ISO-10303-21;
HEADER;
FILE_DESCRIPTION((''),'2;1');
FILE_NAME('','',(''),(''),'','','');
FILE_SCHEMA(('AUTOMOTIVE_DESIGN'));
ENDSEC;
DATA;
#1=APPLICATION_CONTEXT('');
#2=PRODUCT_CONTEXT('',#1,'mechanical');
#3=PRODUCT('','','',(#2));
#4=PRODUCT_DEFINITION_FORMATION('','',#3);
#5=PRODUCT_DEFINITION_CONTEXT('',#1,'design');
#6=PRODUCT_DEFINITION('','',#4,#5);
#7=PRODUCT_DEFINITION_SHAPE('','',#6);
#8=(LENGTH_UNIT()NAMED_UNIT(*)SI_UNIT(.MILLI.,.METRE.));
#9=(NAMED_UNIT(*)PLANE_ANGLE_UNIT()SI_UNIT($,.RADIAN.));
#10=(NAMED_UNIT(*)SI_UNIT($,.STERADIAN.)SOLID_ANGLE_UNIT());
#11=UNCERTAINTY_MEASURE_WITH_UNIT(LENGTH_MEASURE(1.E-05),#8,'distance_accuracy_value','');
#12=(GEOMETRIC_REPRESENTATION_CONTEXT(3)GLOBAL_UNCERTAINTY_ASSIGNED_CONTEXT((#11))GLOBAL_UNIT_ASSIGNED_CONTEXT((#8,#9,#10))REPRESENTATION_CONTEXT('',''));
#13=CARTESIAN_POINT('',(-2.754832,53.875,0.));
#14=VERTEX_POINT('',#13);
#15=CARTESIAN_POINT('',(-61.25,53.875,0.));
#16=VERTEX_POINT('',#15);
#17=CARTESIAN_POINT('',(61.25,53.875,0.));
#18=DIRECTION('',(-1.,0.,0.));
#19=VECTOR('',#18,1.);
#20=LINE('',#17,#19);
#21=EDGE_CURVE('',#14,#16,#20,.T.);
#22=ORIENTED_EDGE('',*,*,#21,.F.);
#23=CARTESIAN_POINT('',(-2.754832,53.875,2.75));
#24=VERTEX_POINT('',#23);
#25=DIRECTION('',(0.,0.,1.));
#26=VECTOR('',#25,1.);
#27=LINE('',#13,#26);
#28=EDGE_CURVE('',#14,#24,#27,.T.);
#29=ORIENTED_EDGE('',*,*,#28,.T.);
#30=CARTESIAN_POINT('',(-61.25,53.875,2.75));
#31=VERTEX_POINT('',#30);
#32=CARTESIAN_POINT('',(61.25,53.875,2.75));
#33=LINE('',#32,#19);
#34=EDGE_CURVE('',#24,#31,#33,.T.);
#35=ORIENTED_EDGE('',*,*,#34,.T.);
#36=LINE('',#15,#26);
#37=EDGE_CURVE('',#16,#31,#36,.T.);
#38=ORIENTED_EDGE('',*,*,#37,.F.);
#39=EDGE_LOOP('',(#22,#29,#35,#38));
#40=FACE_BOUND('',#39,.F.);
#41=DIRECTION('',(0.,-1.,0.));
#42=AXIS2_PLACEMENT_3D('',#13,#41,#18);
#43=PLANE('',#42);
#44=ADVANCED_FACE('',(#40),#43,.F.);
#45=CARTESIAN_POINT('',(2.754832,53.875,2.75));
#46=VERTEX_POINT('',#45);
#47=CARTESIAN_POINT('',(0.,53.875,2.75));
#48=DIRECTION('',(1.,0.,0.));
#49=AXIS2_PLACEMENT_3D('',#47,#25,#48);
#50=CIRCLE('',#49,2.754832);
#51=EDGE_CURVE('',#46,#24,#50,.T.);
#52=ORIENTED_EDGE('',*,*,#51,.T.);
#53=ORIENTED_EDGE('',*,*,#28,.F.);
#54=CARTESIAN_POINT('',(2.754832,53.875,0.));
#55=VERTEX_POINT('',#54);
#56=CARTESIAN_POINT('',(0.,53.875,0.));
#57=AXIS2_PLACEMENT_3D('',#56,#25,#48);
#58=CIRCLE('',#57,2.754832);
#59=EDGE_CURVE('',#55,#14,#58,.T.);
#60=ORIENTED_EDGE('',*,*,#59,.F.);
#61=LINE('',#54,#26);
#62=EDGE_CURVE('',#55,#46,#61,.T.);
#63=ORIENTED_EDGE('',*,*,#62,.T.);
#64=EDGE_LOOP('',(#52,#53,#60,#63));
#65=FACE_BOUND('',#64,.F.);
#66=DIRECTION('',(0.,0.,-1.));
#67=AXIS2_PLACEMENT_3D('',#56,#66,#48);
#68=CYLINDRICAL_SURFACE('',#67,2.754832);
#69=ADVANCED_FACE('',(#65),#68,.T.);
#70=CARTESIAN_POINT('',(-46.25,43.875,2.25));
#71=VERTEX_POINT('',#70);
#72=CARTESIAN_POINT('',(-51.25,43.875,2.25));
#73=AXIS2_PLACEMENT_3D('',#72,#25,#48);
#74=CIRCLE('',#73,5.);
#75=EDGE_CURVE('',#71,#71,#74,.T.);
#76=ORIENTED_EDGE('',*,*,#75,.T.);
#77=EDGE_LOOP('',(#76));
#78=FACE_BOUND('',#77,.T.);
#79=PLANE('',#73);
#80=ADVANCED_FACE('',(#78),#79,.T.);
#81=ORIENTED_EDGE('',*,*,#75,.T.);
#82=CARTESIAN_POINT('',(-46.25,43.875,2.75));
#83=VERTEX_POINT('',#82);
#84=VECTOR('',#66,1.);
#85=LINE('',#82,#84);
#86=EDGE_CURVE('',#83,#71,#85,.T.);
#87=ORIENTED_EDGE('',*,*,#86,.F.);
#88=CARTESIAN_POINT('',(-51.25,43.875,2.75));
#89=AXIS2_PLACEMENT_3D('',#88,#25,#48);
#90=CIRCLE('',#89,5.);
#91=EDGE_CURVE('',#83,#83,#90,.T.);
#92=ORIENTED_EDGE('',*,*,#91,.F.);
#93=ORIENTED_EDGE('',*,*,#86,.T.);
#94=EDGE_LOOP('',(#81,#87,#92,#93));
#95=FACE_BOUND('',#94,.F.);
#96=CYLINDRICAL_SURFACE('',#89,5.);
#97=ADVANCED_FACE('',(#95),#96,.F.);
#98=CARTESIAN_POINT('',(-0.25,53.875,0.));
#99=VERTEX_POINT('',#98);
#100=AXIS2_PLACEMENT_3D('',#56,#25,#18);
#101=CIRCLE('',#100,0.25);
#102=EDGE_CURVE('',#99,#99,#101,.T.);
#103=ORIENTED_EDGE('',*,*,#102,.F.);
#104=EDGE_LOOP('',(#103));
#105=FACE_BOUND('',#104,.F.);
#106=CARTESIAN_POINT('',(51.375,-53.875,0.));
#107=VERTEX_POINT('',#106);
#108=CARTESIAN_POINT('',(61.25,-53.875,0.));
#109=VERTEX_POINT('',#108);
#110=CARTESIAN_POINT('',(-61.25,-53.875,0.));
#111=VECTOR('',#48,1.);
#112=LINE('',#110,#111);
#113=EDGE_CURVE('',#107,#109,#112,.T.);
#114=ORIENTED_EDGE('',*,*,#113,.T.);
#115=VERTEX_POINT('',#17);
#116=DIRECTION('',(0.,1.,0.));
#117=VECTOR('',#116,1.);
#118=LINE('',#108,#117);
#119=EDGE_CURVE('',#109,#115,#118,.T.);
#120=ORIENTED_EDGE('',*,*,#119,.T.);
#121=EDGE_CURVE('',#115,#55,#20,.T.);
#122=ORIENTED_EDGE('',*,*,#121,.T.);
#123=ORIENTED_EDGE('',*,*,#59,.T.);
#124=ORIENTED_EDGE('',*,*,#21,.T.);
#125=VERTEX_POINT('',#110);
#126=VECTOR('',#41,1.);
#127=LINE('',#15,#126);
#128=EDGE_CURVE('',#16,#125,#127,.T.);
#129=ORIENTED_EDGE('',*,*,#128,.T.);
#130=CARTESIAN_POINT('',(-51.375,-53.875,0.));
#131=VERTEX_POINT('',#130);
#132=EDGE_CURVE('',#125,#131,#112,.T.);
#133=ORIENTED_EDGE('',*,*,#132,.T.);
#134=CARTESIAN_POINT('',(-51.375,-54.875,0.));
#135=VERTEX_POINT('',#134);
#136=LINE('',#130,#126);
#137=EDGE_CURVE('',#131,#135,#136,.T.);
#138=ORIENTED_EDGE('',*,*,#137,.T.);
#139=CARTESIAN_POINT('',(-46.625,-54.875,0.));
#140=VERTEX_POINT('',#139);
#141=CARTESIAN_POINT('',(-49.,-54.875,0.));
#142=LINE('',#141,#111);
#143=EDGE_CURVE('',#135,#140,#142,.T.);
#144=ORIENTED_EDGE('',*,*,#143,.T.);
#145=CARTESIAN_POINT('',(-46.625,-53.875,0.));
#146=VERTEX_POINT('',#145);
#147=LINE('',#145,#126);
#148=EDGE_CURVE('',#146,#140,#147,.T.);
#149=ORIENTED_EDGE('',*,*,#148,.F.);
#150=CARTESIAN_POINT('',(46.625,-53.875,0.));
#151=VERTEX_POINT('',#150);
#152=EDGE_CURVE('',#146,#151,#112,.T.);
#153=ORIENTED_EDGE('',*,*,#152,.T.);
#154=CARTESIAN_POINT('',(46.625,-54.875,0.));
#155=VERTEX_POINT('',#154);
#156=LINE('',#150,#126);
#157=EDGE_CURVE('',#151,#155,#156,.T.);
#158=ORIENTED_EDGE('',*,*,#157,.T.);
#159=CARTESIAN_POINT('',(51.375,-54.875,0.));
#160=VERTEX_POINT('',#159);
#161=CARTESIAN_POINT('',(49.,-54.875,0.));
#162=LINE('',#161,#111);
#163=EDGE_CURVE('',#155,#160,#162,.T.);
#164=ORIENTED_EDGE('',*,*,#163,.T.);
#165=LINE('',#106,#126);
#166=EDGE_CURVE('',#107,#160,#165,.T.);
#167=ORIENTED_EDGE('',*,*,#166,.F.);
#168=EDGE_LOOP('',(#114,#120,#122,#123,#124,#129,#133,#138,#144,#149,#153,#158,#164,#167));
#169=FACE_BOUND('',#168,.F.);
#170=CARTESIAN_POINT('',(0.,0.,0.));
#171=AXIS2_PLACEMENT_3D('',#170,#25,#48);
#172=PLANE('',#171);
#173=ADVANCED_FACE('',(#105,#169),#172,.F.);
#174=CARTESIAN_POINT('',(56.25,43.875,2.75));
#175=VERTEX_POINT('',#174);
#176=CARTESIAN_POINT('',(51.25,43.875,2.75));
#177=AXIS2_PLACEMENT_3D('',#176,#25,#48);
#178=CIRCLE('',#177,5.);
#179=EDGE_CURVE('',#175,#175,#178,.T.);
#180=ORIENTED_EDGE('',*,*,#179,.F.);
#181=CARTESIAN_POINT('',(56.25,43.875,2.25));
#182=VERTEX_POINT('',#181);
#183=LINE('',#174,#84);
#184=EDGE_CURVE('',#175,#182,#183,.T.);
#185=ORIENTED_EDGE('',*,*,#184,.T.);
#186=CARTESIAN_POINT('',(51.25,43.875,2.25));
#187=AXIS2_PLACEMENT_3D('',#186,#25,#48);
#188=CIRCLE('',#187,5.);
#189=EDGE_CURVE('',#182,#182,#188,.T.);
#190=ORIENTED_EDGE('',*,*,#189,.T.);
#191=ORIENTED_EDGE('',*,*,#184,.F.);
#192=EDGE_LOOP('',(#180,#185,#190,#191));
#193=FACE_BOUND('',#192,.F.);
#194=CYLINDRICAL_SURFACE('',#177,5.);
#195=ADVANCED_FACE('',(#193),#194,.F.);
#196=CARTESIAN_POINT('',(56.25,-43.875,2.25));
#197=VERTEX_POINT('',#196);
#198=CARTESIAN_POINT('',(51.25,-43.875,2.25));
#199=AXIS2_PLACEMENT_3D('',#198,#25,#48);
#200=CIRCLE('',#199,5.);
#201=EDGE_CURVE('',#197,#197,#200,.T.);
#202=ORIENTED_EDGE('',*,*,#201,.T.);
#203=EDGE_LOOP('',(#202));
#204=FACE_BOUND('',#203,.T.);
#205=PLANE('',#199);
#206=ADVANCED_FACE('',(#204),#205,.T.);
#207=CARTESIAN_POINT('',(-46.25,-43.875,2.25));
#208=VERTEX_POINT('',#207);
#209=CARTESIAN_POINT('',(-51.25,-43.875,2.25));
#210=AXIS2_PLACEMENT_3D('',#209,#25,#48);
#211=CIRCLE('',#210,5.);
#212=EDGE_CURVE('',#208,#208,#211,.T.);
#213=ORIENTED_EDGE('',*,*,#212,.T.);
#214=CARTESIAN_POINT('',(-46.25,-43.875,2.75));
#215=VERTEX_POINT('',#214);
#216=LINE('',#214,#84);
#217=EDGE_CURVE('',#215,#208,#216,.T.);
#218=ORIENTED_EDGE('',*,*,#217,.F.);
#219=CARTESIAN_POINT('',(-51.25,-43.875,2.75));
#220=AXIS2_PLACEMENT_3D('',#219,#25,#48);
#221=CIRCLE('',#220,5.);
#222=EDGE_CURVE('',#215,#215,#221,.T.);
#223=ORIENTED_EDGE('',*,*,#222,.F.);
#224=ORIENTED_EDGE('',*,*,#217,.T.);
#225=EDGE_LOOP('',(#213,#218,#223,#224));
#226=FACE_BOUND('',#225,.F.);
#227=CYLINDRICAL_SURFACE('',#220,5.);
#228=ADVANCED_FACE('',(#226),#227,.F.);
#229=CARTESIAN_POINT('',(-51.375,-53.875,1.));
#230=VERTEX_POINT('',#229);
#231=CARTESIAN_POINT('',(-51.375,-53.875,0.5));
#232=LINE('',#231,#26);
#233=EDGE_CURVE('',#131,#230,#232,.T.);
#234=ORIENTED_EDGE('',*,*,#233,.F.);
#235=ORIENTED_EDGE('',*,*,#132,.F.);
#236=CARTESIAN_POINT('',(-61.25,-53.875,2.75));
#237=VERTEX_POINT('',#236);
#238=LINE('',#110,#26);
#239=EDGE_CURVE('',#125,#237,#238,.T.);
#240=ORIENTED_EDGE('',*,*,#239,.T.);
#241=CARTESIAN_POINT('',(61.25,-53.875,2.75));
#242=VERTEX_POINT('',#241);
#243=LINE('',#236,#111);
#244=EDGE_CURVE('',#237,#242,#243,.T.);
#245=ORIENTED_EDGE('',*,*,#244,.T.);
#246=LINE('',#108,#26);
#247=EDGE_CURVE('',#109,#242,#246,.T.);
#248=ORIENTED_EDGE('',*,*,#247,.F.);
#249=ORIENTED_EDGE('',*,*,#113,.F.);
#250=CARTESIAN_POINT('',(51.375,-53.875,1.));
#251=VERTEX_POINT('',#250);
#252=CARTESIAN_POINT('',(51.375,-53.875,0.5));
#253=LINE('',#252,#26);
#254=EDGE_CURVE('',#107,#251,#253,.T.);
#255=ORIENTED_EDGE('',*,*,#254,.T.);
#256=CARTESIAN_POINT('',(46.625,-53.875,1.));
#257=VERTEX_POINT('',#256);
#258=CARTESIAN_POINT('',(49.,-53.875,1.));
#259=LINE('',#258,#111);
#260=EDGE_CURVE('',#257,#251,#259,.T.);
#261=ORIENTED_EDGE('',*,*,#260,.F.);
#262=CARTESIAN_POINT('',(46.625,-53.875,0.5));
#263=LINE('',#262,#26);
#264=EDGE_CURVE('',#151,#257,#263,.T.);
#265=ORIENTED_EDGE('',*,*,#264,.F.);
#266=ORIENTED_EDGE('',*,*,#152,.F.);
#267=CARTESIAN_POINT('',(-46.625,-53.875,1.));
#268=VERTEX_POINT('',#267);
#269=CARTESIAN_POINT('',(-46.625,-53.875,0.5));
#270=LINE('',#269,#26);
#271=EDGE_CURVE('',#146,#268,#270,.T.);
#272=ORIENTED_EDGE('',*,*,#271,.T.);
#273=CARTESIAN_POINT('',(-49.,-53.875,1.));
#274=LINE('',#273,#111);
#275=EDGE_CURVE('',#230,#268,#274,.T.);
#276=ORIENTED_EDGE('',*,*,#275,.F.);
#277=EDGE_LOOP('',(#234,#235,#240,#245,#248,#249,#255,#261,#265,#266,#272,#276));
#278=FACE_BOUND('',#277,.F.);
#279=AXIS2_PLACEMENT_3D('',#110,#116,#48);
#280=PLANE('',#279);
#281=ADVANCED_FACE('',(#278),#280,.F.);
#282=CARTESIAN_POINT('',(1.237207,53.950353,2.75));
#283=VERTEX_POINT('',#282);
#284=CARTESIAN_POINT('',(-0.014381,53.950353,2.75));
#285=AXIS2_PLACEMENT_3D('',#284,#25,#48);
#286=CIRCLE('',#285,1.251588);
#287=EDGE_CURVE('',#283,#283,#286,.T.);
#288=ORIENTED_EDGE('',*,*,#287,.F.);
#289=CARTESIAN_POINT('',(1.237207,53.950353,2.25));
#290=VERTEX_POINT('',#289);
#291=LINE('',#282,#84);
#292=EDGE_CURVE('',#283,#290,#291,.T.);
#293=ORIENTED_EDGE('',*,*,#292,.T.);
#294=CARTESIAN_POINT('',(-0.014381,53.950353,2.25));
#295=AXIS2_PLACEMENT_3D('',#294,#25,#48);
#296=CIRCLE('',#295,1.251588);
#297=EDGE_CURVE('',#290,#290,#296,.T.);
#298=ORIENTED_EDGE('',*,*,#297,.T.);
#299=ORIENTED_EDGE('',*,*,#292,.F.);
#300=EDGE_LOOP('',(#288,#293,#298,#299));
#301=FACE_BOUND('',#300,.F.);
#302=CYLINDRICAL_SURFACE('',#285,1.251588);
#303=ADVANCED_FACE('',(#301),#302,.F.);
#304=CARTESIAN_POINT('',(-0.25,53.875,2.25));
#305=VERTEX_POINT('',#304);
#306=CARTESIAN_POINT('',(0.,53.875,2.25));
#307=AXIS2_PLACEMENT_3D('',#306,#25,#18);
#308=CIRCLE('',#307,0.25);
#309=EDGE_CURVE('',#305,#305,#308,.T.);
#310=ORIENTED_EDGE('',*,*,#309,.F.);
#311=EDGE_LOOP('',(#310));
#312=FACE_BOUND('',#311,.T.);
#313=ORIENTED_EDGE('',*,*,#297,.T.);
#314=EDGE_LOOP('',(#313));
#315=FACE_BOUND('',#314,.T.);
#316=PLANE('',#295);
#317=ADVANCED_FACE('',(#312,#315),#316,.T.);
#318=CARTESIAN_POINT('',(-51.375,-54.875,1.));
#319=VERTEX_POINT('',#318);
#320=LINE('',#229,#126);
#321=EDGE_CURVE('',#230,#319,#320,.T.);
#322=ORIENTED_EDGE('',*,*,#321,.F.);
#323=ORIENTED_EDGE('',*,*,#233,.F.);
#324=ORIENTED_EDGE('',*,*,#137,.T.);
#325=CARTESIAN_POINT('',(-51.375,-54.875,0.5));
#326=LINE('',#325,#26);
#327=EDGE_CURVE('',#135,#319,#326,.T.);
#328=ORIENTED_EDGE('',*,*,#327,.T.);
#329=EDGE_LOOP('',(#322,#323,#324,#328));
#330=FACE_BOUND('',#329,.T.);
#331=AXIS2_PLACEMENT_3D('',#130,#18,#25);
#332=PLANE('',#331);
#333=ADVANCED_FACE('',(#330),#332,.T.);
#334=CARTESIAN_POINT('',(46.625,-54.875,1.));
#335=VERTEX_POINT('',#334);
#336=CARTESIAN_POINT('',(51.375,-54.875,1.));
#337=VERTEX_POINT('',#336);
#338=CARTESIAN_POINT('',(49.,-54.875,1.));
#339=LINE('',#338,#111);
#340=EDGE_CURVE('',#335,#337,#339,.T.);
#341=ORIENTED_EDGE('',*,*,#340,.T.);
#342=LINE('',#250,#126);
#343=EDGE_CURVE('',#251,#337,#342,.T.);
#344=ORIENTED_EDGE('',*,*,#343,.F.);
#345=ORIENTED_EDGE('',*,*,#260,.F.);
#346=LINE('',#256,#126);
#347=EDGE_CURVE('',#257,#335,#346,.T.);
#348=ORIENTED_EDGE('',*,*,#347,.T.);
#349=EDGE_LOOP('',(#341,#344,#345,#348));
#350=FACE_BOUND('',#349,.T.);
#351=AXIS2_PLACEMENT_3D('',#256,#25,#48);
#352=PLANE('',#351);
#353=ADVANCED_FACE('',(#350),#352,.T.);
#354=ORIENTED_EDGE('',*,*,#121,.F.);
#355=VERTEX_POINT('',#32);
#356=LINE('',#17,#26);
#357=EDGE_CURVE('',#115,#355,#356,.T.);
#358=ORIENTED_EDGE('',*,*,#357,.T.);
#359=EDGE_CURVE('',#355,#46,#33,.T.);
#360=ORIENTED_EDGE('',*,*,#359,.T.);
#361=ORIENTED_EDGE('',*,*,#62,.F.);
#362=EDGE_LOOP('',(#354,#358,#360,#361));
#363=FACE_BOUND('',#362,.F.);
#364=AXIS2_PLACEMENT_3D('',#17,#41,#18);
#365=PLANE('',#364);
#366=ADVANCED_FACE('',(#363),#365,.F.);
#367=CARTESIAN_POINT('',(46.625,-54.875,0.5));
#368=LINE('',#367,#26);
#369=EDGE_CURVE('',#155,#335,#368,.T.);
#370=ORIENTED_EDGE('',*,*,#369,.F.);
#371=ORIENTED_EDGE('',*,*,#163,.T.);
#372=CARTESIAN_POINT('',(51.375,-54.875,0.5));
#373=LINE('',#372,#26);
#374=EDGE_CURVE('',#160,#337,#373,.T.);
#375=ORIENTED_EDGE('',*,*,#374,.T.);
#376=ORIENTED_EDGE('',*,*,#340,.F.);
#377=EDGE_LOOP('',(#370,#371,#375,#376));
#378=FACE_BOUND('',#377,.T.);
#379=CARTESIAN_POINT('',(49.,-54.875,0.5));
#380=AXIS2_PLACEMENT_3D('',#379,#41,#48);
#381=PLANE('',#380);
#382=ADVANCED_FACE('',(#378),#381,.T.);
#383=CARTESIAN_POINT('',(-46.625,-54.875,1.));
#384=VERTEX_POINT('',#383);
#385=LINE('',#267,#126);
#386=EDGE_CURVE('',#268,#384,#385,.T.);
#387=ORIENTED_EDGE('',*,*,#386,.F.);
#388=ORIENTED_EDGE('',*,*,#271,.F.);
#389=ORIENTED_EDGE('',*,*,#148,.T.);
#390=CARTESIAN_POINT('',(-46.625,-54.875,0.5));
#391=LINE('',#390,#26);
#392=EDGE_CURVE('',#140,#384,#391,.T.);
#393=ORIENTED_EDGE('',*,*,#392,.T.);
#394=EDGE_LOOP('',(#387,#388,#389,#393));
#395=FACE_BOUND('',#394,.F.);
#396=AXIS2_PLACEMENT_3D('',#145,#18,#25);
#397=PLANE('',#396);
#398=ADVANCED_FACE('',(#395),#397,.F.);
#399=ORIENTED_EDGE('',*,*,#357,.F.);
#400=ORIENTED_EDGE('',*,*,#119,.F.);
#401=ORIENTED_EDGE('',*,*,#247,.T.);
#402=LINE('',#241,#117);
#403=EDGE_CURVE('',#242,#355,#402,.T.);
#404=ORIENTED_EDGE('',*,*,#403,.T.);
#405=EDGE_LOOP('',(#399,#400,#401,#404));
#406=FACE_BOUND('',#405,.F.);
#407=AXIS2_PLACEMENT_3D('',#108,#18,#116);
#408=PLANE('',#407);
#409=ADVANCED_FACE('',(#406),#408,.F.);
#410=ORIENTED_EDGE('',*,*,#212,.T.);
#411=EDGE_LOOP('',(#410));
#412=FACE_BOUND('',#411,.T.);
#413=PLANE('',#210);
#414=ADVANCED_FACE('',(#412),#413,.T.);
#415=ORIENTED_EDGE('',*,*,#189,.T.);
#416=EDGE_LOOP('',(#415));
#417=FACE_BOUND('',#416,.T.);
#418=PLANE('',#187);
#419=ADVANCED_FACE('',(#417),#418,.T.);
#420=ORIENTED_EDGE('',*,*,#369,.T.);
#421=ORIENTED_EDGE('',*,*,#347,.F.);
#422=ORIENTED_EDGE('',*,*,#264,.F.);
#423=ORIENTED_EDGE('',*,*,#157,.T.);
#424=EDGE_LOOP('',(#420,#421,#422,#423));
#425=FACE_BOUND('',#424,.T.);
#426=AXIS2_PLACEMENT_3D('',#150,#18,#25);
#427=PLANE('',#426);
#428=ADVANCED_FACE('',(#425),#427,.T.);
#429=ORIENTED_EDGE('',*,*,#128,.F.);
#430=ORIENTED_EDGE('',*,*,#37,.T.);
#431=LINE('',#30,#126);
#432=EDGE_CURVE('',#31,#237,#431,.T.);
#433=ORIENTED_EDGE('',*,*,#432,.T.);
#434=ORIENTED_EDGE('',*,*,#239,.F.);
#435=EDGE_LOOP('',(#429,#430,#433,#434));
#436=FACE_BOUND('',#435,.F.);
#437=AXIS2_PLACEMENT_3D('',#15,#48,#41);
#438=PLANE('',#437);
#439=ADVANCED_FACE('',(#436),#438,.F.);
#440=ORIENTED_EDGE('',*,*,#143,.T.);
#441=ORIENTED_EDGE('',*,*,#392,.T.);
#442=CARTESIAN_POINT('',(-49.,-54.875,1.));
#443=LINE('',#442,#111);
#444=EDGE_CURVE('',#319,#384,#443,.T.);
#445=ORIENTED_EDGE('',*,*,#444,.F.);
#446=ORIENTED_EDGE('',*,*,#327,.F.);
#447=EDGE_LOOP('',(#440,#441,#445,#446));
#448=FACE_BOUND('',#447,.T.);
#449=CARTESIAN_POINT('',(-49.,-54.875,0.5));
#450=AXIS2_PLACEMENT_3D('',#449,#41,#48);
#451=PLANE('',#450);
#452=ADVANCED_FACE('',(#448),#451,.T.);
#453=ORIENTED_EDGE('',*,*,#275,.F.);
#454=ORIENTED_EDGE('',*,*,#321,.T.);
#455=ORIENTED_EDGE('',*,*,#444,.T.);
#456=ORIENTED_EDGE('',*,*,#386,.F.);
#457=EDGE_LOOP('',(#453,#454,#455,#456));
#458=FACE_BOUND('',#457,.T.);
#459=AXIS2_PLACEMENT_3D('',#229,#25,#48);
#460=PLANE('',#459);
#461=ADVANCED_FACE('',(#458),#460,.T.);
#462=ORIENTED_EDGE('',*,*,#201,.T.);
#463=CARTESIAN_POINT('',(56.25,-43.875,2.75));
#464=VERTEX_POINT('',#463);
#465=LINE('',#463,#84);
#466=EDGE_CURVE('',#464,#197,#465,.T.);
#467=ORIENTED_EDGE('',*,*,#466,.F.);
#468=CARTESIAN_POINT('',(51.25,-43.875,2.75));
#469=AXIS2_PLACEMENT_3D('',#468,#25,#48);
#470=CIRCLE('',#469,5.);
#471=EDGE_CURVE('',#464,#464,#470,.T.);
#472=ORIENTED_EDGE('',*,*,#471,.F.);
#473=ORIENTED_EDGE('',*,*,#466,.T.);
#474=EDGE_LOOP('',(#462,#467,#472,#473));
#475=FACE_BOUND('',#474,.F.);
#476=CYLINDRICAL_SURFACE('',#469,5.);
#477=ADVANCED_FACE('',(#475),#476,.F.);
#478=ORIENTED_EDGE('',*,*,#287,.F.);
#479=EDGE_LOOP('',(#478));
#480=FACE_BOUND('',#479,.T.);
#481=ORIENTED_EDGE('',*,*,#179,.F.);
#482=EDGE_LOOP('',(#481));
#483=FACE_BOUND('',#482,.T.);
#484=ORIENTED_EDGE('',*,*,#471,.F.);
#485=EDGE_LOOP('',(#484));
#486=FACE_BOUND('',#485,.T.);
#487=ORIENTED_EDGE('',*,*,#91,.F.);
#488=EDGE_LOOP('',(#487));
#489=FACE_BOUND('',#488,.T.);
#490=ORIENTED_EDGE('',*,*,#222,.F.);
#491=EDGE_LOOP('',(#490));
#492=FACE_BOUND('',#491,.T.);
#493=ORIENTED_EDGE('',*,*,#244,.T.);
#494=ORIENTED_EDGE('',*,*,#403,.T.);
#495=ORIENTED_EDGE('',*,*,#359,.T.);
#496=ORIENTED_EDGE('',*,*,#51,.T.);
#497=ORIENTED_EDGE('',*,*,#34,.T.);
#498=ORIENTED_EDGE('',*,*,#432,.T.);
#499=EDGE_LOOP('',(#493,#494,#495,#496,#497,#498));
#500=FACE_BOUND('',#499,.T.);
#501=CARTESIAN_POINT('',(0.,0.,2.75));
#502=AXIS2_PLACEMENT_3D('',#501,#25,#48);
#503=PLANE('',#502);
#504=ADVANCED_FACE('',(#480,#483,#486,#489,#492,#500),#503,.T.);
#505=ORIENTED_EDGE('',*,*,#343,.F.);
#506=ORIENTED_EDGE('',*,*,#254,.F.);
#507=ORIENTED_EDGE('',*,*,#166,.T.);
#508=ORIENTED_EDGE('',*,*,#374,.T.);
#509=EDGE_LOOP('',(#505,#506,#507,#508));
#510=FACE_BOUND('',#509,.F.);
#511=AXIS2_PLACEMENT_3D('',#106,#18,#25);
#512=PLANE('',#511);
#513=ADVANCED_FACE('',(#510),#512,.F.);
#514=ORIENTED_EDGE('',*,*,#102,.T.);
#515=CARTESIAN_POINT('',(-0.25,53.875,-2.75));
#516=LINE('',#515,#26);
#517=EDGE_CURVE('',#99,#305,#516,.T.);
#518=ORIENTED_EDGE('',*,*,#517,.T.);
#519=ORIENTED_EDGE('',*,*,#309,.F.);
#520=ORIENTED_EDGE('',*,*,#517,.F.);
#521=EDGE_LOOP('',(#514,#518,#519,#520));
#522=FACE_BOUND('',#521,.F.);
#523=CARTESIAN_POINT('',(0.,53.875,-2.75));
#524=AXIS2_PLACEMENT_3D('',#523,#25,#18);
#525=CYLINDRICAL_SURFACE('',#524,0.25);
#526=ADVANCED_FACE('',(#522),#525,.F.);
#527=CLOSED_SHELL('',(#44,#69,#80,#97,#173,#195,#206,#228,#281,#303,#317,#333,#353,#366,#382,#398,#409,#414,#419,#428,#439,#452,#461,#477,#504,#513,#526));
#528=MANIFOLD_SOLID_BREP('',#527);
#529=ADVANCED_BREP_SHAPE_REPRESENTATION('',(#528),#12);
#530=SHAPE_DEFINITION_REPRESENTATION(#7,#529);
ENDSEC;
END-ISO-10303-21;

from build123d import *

# Parameters (mm, degrees)
F1_DEPTH = 2.75
F2_W     = 4.75
F2_H     = 1
F3_DEPTH = 1
F4_D     = 0.5
F4_DEPTH = 2.75
F4_TIP   = 0.1502151548
F5_R     = 5
F5_R_2   = 1.2515883102
F5_R_3   = 0.25
F6_DEPTH = 0.5


with BuildPart() as f1:
    # F0 (on Top) → F1 (new body)
    with BuildSketch(Plane.XY):
        Polygon((61.25, -53.875), (61.25, 53.875), (2.7548319194, 53.875), (-2.7548319194, 53.875), (-61.25, 53.875), (-61.25, -53.875), align=None)
        with BuildLine():
            Line((-2.7548319194, 53.875), (2.7548319194, 53.875))
            ThreePointArc((2.7548319194, 53.875), (0, 56.6298319194), (-2.7548319194, 53.875))
        make_face()
    extrude(amount=F1_DEPTH)

    # F2 (on face) → F3 (join)
    with BuildSketch(Plane.XZ.offset(53.875)):
        with Locations((-49, 0.5)):
            Rectangle(F2_W, F2_H)
        with Locations((49, 0.5)):
            Rectangle(F2_W, F2_H)
    extrude(amount=F3_DEPTH)

    # F4
    with Locations(Plane(origin=(0, 0, 0), x_dir=(1, 0, 0), z_dir=(0, 0, -1))):
        with Locations((0, -53.875)):
            Hole(F4_D / 2, depth=F4_DEPTH)
            with Locations((0, 0, -(F4_DEPTH + F4_TIP / 2))):  # 118° drill point
                Cone(0, F4_D / 2, F4_TIP, mode=Mode.SUBTRACT)

    # F5 (on face) → F6 (cut)
    with BuildSketch(Plane.XY.offset(2.75)):
        with Locations((51.25, 43.875)):
            Circle(F5_R)
        with Locations((-0.0143809427, 53.9503525943)):
            Circle(F5_R_2)
        with Locations((0, 53.875)):
            Circle(F5_R_3, mode=Mode.SUBTRACT)
        with Locations((-51.25, 43.875)):
            Circle(F5_R)
        with Locations((51.25, -43.875)):
            Circle(F5_R)
        with Locations((-51.25, -43.875)):
            Circle(F5_R)
    extrude(amount=-F6_DEPTH, mode=Mode.SUBTRACT)


solid = f1.part
